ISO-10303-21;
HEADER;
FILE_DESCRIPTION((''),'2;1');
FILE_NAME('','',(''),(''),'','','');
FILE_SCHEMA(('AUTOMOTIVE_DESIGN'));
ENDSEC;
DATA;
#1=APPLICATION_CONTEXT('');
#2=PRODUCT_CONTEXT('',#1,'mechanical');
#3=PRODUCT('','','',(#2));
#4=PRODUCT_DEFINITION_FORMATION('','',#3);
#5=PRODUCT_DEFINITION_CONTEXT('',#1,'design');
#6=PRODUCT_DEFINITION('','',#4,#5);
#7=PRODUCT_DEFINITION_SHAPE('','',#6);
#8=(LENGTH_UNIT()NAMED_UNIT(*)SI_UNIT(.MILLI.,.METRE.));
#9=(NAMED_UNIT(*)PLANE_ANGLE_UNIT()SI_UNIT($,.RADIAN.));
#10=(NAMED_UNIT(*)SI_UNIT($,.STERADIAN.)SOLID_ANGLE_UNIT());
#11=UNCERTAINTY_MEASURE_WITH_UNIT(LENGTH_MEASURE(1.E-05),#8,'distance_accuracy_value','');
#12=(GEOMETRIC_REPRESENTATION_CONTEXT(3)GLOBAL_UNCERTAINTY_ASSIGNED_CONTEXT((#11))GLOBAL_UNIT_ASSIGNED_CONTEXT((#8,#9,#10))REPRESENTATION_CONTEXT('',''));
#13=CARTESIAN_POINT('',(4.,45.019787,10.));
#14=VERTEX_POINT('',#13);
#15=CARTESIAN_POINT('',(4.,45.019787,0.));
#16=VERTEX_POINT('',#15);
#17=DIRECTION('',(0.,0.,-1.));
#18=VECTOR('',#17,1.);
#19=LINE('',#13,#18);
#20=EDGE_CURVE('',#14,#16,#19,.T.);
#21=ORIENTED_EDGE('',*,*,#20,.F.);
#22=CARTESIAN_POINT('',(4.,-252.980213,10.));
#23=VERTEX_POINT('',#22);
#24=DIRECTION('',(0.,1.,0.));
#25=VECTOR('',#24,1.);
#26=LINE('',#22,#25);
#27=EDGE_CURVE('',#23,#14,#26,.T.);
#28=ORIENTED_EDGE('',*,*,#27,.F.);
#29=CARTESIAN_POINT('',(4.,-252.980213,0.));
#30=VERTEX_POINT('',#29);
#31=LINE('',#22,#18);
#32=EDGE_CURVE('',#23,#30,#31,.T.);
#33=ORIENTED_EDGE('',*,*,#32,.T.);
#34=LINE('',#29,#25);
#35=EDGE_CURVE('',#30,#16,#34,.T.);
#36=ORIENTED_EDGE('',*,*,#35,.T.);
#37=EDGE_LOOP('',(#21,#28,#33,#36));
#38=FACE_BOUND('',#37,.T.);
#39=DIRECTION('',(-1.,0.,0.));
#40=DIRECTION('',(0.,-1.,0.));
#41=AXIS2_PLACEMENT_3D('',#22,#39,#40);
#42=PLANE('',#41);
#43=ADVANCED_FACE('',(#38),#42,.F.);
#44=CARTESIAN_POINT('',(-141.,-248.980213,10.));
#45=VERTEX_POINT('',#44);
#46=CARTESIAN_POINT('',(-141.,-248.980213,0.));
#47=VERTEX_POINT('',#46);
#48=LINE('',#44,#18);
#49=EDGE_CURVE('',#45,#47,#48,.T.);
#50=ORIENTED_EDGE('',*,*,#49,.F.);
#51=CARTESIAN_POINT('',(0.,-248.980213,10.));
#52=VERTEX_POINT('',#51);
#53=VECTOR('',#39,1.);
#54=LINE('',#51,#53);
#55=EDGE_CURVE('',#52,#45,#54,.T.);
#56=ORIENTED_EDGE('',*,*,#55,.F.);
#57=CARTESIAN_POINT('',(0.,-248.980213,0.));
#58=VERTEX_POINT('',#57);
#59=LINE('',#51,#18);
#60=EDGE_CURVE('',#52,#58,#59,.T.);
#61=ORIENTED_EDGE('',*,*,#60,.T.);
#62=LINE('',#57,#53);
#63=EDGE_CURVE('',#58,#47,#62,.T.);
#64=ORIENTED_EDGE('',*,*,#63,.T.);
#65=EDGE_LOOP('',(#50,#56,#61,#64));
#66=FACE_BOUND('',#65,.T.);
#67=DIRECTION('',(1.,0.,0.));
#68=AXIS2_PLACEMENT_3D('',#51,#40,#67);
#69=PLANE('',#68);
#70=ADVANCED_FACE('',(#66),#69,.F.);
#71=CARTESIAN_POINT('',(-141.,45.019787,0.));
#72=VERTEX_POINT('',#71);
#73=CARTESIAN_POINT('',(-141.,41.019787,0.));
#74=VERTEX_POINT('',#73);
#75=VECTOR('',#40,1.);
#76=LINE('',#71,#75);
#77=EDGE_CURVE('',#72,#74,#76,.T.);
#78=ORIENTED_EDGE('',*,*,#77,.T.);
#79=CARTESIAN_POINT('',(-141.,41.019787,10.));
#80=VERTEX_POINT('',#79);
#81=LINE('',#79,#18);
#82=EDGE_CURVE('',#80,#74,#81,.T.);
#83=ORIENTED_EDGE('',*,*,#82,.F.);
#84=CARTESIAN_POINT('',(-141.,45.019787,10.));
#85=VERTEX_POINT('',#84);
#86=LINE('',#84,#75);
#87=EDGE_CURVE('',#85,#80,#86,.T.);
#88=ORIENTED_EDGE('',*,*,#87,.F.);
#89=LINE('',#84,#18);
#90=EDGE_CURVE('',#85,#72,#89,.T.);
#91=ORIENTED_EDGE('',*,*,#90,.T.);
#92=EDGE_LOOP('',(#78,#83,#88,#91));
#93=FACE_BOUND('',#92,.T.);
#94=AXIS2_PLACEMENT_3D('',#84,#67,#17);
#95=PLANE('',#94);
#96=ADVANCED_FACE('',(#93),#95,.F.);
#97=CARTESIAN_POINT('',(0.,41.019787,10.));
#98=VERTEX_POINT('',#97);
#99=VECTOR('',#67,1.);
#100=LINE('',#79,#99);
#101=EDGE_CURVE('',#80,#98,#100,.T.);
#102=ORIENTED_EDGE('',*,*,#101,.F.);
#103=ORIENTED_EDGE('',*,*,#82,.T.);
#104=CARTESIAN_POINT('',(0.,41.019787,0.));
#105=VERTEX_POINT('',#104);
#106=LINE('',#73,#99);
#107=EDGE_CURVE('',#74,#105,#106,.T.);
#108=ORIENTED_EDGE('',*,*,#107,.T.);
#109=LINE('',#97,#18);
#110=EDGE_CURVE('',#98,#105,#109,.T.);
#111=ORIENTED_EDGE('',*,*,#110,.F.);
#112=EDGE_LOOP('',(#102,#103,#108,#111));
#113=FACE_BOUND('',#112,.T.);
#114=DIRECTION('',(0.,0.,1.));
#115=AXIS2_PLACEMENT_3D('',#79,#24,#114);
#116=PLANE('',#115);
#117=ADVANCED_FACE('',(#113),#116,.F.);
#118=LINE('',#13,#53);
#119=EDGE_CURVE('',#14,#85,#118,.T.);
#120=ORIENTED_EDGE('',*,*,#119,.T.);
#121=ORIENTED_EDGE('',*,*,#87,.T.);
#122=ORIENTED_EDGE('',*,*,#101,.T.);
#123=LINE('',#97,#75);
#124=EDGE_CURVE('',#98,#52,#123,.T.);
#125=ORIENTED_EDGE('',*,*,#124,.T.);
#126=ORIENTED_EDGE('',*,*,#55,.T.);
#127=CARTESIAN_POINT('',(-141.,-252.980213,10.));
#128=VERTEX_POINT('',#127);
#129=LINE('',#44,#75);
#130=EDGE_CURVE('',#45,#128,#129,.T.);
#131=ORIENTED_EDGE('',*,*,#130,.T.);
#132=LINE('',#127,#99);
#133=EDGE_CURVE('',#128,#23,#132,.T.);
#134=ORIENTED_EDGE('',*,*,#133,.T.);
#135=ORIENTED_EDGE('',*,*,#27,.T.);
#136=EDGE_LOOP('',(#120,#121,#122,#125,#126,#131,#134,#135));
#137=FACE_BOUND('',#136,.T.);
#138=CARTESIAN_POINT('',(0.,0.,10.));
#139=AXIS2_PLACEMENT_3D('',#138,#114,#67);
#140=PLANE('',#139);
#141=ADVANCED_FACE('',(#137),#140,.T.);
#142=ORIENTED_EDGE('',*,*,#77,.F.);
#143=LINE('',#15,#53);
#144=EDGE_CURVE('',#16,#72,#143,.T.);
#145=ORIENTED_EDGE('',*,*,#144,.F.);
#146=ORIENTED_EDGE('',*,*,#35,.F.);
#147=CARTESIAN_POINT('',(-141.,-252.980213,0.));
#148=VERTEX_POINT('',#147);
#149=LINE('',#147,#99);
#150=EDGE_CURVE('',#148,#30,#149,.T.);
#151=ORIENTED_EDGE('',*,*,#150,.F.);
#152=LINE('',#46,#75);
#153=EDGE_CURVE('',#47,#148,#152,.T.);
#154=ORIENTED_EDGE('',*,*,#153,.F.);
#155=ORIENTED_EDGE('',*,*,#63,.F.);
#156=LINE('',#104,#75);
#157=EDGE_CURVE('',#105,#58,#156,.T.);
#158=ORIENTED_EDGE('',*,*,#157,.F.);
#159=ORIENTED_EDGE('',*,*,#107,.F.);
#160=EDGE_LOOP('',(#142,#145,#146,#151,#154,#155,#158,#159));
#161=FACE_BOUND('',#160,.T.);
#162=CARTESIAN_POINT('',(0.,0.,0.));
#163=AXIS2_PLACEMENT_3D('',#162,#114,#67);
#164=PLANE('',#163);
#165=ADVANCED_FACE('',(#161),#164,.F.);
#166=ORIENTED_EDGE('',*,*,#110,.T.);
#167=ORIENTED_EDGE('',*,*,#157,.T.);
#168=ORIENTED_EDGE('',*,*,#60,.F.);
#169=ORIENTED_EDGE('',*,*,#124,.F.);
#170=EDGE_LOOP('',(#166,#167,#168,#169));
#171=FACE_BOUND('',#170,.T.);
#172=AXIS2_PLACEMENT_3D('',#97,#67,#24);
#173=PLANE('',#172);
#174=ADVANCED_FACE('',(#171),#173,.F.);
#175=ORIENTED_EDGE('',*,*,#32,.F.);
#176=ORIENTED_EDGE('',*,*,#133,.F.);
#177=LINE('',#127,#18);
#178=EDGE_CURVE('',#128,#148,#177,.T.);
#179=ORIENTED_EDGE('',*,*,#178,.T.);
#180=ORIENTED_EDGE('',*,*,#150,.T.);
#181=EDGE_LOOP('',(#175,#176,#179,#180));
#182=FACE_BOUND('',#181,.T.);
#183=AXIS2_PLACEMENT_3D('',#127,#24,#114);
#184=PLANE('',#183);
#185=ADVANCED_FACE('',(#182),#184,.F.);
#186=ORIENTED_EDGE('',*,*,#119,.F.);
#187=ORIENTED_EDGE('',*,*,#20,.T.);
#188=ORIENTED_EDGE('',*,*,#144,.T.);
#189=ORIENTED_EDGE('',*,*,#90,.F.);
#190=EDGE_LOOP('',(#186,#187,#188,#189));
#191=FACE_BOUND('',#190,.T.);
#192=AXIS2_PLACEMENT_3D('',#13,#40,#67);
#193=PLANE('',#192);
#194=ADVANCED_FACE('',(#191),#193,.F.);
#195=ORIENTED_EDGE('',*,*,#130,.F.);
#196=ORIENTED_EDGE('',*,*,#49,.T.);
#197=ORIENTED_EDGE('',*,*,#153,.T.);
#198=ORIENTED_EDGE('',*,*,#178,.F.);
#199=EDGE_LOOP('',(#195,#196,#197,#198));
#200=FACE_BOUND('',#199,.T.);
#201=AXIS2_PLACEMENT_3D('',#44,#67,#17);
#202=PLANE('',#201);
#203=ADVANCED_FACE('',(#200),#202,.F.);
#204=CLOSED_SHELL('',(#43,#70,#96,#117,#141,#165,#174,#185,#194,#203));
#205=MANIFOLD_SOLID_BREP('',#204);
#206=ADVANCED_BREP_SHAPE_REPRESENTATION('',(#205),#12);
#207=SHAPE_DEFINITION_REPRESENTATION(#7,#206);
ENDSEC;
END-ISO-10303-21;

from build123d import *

# Parameters (mm, degrees)
EXTRUDE_1_DEPTH = 10


with BuildPart() as part:
    # Эскиз1 → Бобышка-Вытянуть1 (new body)
    with BuildSketch(Plane.XY):
        Polygon((-141, 41.01978691), (0, 41.01978691), (0, -248.98021309), (-141, -248.98021309), (-141, -252.98021309), (4, -252.98021309), (4, 45.01978691), (-141, 45.01978691), align=None)
    extrude(amount=EXTRUDE_1_DEPTH)


solid = part.part
